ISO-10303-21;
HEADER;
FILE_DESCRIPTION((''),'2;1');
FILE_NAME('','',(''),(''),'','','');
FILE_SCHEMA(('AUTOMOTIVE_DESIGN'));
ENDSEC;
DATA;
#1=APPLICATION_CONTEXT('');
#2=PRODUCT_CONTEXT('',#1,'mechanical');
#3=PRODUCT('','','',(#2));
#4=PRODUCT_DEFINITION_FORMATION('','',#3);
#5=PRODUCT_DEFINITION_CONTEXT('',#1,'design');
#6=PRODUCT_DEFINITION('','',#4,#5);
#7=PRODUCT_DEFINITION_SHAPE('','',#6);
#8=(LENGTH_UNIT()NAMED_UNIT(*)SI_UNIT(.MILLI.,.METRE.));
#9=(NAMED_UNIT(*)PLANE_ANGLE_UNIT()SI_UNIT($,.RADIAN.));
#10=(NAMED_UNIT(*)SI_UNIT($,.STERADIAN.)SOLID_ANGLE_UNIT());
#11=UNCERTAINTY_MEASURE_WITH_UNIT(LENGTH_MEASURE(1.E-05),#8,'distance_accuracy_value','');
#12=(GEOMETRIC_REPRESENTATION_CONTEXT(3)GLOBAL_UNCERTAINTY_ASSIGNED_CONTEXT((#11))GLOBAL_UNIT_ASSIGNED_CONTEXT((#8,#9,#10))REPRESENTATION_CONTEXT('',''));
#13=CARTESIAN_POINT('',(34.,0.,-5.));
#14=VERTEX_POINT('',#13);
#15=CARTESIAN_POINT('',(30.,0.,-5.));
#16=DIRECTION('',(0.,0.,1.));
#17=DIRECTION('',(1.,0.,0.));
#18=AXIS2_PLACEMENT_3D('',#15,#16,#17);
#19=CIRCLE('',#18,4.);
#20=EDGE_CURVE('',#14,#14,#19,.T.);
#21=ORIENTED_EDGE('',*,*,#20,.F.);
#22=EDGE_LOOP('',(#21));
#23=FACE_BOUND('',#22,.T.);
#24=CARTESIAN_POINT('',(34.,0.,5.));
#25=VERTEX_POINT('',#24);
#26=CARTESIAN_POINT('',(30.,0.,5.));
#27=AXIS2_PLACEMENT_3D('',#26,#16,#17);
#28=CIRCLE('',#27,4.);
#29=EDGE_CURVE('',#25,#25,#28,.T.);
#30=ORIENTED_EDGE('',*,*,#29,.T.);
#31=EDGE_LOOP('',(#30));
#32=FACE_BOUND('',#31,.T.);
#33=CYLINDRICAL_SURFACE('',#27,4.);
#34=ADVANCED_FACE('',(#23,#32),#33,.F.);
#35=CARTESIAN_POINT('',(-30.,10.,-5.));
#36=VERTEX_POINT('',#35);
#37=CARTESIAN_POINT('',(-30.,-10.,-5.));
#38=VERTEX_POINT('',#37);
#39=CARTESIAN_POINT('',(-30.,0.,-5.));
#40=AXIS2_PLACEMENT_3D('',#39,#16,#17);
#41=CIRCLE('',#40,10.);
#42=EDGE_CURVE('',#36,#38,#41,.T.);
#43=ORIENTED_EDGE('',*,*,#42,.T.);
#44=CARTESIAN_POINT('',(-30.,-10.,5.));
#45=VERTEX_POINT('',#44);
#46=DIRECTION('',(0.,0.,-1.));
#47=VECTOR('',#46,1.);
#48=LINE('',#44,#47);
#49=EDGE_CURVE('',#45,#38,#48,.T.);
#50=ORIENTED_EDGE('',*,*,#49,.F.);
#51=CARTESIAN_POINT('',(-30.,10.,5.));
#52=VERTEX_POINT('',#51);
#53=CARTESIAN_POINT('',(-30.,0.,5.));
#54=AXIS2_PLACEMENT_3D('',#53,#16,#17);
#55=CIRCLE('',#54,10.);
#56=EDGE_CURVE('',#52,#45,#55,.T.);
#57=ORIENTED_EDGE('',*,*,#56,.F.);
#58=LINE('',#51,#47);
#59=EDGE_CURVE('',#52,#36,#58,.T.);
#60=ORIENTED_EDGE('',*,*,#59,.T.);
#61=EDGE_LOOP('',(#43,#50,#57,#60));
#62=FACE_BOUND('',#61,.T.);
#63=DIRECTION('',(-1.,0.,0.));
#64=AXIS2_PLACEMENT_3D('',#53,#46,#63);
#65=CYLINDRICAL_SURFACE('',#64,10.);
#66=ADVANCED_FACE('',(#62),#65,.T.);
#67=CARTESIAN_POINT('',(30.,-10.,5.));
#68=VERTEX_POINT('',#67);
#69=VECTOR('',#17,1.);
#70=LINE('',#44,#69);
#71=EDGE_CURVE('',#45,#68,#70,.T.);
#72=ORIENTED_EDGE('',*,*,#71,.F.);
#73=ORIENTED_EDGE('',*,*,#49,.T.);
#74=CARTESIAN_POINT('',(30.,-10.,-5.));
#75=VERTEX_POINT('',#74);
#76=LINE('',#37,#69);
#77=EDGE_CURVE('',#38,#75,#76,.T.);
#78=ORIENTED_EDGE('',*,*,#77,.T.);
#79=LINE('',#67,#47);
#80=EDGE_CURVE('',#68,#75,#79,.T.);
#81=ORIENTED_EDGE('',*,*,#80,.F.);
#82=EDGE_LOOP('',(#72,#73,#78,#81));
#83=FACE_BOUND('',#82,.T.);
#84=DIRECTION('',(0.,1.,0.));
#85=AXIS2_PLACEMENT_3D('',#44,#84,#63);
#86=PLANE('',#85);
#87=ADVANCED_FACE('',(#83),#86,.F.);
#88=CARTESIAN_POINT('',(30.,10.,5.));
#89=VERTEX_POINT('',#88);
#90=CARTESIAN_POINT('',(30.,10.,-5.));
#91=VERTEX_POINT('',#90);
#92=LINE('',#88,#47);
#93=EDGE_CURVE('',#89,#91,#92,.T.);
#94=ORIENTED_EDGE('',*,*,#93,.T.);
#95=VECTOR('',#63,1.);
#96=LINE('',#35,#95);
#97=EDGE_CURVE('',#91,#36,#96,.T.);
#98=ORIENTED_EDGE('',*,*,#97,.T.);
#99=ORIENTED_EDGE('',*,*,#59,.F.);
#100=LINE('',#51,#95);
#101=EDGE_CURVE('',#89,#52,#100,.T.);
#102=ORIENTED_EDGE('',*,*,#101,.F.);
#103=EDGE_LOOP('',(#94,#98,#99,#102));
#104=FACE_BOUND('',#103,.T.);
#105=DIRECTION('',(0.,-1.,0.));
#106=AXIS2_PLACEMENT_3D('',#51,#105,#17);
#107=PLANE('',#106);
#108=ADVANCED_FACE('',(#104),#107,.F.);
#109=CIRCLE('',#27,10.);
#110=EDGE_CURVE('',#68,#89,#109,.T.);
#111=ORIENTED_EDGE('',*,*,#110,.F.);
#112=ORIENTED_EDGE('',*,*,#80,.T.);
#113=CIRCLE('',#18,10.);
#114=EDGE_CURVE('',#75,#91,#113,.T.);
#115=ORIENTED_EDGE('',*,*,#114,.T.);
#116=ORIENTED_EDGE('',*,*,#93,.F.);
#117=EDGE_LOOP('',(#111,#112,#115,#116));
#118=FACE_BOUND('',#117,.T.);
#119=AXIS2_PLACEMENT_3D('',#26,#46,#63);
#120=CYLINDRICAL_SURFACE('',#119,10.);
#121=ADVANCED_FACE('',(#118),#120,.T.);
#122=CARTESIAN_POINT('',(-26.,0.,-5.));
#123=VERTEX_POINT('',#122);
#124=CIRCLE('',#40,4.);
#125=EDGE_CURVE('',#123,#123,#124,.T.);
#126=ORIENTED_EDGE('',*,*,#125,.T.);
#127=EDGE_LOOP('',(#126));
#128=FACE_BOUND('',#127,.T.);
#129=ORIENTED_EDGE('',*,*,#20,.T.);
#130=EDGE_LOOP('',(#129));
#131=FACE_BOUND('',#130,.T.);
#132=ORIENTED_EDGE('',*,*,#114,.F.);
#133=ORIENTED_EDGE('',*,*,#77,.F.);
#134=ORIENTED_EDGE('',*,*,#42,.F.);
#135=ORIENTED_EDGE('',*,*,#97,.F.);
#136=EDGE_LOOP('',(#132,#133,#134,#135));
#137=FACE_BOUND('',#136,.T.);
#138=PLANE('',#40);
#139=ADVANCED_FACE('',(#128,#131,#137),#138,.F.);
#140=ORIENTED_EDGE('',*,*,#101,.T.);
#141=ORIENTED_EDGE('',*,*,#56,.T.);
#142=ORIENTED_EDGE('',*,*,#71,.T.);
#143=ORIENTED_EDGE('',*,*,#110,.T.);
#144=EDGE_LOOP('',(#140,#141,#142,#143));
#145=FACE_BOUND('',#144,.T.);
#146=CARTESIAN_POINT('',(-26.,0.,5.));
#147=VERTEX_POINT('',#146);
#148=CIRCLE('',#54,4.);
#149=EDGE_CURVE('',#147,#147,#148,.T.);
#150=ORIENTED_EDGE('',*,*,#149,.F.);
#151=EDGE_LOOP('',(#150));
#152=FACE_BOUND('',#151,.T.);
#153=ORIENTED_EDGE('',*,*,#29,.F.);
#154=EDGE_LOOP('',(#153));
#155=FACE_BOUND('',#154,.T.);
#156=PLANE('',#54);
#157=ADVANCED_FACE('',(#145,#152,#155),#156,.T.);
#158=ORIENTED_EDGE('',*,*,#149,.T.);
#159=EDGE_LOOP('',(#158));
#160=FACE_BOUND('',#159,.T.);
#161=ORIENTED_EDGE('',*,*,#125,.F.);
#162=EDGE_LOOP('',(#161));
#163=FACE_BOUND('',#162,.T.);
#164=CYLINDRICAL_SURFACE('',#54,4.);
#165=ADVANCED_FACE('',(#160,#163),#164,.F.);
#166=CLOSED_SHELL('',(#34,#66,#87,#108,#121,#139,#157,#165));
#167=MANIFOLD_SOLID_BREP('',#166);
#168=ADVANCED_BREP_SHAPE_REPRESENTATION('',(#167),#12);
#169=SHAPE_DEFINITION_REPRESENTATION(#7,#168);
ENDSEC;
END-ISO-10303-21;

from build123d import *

# Parameters (mm, degrees)
BOSS_EXTRUDE1_DEPTH   = 5
F_8_0MM_DOWEL_HOLE1_D = 8


with BuildPart() as part:
    # Sketch1 → Boss-Extrude1 (new, symmetric)
    with BuildSketch(Plane.XY):
        with BuildLine():
            Line((-30, 10), (30, 10))
            ThreePointArc((30, 10), (40, 0), (30, -10))
            Line((30, -10), (-30, -10))
            ThreePointArc((-30, -10), (-40, 0), (-30, 10))
        make_face()
    extrude(amount=BOSS_EXTRUDE1_DEPTH, both=True)

    # Ø8.0mm Dowel Hole1 (through all)
    with Locations(Plane.XY.offset(5)):
        with Locations((-30, 0), (30, 0)):
            Hole(F_8_0MM_DOWEL_HOLE1_D / 2)


solid = part.part
